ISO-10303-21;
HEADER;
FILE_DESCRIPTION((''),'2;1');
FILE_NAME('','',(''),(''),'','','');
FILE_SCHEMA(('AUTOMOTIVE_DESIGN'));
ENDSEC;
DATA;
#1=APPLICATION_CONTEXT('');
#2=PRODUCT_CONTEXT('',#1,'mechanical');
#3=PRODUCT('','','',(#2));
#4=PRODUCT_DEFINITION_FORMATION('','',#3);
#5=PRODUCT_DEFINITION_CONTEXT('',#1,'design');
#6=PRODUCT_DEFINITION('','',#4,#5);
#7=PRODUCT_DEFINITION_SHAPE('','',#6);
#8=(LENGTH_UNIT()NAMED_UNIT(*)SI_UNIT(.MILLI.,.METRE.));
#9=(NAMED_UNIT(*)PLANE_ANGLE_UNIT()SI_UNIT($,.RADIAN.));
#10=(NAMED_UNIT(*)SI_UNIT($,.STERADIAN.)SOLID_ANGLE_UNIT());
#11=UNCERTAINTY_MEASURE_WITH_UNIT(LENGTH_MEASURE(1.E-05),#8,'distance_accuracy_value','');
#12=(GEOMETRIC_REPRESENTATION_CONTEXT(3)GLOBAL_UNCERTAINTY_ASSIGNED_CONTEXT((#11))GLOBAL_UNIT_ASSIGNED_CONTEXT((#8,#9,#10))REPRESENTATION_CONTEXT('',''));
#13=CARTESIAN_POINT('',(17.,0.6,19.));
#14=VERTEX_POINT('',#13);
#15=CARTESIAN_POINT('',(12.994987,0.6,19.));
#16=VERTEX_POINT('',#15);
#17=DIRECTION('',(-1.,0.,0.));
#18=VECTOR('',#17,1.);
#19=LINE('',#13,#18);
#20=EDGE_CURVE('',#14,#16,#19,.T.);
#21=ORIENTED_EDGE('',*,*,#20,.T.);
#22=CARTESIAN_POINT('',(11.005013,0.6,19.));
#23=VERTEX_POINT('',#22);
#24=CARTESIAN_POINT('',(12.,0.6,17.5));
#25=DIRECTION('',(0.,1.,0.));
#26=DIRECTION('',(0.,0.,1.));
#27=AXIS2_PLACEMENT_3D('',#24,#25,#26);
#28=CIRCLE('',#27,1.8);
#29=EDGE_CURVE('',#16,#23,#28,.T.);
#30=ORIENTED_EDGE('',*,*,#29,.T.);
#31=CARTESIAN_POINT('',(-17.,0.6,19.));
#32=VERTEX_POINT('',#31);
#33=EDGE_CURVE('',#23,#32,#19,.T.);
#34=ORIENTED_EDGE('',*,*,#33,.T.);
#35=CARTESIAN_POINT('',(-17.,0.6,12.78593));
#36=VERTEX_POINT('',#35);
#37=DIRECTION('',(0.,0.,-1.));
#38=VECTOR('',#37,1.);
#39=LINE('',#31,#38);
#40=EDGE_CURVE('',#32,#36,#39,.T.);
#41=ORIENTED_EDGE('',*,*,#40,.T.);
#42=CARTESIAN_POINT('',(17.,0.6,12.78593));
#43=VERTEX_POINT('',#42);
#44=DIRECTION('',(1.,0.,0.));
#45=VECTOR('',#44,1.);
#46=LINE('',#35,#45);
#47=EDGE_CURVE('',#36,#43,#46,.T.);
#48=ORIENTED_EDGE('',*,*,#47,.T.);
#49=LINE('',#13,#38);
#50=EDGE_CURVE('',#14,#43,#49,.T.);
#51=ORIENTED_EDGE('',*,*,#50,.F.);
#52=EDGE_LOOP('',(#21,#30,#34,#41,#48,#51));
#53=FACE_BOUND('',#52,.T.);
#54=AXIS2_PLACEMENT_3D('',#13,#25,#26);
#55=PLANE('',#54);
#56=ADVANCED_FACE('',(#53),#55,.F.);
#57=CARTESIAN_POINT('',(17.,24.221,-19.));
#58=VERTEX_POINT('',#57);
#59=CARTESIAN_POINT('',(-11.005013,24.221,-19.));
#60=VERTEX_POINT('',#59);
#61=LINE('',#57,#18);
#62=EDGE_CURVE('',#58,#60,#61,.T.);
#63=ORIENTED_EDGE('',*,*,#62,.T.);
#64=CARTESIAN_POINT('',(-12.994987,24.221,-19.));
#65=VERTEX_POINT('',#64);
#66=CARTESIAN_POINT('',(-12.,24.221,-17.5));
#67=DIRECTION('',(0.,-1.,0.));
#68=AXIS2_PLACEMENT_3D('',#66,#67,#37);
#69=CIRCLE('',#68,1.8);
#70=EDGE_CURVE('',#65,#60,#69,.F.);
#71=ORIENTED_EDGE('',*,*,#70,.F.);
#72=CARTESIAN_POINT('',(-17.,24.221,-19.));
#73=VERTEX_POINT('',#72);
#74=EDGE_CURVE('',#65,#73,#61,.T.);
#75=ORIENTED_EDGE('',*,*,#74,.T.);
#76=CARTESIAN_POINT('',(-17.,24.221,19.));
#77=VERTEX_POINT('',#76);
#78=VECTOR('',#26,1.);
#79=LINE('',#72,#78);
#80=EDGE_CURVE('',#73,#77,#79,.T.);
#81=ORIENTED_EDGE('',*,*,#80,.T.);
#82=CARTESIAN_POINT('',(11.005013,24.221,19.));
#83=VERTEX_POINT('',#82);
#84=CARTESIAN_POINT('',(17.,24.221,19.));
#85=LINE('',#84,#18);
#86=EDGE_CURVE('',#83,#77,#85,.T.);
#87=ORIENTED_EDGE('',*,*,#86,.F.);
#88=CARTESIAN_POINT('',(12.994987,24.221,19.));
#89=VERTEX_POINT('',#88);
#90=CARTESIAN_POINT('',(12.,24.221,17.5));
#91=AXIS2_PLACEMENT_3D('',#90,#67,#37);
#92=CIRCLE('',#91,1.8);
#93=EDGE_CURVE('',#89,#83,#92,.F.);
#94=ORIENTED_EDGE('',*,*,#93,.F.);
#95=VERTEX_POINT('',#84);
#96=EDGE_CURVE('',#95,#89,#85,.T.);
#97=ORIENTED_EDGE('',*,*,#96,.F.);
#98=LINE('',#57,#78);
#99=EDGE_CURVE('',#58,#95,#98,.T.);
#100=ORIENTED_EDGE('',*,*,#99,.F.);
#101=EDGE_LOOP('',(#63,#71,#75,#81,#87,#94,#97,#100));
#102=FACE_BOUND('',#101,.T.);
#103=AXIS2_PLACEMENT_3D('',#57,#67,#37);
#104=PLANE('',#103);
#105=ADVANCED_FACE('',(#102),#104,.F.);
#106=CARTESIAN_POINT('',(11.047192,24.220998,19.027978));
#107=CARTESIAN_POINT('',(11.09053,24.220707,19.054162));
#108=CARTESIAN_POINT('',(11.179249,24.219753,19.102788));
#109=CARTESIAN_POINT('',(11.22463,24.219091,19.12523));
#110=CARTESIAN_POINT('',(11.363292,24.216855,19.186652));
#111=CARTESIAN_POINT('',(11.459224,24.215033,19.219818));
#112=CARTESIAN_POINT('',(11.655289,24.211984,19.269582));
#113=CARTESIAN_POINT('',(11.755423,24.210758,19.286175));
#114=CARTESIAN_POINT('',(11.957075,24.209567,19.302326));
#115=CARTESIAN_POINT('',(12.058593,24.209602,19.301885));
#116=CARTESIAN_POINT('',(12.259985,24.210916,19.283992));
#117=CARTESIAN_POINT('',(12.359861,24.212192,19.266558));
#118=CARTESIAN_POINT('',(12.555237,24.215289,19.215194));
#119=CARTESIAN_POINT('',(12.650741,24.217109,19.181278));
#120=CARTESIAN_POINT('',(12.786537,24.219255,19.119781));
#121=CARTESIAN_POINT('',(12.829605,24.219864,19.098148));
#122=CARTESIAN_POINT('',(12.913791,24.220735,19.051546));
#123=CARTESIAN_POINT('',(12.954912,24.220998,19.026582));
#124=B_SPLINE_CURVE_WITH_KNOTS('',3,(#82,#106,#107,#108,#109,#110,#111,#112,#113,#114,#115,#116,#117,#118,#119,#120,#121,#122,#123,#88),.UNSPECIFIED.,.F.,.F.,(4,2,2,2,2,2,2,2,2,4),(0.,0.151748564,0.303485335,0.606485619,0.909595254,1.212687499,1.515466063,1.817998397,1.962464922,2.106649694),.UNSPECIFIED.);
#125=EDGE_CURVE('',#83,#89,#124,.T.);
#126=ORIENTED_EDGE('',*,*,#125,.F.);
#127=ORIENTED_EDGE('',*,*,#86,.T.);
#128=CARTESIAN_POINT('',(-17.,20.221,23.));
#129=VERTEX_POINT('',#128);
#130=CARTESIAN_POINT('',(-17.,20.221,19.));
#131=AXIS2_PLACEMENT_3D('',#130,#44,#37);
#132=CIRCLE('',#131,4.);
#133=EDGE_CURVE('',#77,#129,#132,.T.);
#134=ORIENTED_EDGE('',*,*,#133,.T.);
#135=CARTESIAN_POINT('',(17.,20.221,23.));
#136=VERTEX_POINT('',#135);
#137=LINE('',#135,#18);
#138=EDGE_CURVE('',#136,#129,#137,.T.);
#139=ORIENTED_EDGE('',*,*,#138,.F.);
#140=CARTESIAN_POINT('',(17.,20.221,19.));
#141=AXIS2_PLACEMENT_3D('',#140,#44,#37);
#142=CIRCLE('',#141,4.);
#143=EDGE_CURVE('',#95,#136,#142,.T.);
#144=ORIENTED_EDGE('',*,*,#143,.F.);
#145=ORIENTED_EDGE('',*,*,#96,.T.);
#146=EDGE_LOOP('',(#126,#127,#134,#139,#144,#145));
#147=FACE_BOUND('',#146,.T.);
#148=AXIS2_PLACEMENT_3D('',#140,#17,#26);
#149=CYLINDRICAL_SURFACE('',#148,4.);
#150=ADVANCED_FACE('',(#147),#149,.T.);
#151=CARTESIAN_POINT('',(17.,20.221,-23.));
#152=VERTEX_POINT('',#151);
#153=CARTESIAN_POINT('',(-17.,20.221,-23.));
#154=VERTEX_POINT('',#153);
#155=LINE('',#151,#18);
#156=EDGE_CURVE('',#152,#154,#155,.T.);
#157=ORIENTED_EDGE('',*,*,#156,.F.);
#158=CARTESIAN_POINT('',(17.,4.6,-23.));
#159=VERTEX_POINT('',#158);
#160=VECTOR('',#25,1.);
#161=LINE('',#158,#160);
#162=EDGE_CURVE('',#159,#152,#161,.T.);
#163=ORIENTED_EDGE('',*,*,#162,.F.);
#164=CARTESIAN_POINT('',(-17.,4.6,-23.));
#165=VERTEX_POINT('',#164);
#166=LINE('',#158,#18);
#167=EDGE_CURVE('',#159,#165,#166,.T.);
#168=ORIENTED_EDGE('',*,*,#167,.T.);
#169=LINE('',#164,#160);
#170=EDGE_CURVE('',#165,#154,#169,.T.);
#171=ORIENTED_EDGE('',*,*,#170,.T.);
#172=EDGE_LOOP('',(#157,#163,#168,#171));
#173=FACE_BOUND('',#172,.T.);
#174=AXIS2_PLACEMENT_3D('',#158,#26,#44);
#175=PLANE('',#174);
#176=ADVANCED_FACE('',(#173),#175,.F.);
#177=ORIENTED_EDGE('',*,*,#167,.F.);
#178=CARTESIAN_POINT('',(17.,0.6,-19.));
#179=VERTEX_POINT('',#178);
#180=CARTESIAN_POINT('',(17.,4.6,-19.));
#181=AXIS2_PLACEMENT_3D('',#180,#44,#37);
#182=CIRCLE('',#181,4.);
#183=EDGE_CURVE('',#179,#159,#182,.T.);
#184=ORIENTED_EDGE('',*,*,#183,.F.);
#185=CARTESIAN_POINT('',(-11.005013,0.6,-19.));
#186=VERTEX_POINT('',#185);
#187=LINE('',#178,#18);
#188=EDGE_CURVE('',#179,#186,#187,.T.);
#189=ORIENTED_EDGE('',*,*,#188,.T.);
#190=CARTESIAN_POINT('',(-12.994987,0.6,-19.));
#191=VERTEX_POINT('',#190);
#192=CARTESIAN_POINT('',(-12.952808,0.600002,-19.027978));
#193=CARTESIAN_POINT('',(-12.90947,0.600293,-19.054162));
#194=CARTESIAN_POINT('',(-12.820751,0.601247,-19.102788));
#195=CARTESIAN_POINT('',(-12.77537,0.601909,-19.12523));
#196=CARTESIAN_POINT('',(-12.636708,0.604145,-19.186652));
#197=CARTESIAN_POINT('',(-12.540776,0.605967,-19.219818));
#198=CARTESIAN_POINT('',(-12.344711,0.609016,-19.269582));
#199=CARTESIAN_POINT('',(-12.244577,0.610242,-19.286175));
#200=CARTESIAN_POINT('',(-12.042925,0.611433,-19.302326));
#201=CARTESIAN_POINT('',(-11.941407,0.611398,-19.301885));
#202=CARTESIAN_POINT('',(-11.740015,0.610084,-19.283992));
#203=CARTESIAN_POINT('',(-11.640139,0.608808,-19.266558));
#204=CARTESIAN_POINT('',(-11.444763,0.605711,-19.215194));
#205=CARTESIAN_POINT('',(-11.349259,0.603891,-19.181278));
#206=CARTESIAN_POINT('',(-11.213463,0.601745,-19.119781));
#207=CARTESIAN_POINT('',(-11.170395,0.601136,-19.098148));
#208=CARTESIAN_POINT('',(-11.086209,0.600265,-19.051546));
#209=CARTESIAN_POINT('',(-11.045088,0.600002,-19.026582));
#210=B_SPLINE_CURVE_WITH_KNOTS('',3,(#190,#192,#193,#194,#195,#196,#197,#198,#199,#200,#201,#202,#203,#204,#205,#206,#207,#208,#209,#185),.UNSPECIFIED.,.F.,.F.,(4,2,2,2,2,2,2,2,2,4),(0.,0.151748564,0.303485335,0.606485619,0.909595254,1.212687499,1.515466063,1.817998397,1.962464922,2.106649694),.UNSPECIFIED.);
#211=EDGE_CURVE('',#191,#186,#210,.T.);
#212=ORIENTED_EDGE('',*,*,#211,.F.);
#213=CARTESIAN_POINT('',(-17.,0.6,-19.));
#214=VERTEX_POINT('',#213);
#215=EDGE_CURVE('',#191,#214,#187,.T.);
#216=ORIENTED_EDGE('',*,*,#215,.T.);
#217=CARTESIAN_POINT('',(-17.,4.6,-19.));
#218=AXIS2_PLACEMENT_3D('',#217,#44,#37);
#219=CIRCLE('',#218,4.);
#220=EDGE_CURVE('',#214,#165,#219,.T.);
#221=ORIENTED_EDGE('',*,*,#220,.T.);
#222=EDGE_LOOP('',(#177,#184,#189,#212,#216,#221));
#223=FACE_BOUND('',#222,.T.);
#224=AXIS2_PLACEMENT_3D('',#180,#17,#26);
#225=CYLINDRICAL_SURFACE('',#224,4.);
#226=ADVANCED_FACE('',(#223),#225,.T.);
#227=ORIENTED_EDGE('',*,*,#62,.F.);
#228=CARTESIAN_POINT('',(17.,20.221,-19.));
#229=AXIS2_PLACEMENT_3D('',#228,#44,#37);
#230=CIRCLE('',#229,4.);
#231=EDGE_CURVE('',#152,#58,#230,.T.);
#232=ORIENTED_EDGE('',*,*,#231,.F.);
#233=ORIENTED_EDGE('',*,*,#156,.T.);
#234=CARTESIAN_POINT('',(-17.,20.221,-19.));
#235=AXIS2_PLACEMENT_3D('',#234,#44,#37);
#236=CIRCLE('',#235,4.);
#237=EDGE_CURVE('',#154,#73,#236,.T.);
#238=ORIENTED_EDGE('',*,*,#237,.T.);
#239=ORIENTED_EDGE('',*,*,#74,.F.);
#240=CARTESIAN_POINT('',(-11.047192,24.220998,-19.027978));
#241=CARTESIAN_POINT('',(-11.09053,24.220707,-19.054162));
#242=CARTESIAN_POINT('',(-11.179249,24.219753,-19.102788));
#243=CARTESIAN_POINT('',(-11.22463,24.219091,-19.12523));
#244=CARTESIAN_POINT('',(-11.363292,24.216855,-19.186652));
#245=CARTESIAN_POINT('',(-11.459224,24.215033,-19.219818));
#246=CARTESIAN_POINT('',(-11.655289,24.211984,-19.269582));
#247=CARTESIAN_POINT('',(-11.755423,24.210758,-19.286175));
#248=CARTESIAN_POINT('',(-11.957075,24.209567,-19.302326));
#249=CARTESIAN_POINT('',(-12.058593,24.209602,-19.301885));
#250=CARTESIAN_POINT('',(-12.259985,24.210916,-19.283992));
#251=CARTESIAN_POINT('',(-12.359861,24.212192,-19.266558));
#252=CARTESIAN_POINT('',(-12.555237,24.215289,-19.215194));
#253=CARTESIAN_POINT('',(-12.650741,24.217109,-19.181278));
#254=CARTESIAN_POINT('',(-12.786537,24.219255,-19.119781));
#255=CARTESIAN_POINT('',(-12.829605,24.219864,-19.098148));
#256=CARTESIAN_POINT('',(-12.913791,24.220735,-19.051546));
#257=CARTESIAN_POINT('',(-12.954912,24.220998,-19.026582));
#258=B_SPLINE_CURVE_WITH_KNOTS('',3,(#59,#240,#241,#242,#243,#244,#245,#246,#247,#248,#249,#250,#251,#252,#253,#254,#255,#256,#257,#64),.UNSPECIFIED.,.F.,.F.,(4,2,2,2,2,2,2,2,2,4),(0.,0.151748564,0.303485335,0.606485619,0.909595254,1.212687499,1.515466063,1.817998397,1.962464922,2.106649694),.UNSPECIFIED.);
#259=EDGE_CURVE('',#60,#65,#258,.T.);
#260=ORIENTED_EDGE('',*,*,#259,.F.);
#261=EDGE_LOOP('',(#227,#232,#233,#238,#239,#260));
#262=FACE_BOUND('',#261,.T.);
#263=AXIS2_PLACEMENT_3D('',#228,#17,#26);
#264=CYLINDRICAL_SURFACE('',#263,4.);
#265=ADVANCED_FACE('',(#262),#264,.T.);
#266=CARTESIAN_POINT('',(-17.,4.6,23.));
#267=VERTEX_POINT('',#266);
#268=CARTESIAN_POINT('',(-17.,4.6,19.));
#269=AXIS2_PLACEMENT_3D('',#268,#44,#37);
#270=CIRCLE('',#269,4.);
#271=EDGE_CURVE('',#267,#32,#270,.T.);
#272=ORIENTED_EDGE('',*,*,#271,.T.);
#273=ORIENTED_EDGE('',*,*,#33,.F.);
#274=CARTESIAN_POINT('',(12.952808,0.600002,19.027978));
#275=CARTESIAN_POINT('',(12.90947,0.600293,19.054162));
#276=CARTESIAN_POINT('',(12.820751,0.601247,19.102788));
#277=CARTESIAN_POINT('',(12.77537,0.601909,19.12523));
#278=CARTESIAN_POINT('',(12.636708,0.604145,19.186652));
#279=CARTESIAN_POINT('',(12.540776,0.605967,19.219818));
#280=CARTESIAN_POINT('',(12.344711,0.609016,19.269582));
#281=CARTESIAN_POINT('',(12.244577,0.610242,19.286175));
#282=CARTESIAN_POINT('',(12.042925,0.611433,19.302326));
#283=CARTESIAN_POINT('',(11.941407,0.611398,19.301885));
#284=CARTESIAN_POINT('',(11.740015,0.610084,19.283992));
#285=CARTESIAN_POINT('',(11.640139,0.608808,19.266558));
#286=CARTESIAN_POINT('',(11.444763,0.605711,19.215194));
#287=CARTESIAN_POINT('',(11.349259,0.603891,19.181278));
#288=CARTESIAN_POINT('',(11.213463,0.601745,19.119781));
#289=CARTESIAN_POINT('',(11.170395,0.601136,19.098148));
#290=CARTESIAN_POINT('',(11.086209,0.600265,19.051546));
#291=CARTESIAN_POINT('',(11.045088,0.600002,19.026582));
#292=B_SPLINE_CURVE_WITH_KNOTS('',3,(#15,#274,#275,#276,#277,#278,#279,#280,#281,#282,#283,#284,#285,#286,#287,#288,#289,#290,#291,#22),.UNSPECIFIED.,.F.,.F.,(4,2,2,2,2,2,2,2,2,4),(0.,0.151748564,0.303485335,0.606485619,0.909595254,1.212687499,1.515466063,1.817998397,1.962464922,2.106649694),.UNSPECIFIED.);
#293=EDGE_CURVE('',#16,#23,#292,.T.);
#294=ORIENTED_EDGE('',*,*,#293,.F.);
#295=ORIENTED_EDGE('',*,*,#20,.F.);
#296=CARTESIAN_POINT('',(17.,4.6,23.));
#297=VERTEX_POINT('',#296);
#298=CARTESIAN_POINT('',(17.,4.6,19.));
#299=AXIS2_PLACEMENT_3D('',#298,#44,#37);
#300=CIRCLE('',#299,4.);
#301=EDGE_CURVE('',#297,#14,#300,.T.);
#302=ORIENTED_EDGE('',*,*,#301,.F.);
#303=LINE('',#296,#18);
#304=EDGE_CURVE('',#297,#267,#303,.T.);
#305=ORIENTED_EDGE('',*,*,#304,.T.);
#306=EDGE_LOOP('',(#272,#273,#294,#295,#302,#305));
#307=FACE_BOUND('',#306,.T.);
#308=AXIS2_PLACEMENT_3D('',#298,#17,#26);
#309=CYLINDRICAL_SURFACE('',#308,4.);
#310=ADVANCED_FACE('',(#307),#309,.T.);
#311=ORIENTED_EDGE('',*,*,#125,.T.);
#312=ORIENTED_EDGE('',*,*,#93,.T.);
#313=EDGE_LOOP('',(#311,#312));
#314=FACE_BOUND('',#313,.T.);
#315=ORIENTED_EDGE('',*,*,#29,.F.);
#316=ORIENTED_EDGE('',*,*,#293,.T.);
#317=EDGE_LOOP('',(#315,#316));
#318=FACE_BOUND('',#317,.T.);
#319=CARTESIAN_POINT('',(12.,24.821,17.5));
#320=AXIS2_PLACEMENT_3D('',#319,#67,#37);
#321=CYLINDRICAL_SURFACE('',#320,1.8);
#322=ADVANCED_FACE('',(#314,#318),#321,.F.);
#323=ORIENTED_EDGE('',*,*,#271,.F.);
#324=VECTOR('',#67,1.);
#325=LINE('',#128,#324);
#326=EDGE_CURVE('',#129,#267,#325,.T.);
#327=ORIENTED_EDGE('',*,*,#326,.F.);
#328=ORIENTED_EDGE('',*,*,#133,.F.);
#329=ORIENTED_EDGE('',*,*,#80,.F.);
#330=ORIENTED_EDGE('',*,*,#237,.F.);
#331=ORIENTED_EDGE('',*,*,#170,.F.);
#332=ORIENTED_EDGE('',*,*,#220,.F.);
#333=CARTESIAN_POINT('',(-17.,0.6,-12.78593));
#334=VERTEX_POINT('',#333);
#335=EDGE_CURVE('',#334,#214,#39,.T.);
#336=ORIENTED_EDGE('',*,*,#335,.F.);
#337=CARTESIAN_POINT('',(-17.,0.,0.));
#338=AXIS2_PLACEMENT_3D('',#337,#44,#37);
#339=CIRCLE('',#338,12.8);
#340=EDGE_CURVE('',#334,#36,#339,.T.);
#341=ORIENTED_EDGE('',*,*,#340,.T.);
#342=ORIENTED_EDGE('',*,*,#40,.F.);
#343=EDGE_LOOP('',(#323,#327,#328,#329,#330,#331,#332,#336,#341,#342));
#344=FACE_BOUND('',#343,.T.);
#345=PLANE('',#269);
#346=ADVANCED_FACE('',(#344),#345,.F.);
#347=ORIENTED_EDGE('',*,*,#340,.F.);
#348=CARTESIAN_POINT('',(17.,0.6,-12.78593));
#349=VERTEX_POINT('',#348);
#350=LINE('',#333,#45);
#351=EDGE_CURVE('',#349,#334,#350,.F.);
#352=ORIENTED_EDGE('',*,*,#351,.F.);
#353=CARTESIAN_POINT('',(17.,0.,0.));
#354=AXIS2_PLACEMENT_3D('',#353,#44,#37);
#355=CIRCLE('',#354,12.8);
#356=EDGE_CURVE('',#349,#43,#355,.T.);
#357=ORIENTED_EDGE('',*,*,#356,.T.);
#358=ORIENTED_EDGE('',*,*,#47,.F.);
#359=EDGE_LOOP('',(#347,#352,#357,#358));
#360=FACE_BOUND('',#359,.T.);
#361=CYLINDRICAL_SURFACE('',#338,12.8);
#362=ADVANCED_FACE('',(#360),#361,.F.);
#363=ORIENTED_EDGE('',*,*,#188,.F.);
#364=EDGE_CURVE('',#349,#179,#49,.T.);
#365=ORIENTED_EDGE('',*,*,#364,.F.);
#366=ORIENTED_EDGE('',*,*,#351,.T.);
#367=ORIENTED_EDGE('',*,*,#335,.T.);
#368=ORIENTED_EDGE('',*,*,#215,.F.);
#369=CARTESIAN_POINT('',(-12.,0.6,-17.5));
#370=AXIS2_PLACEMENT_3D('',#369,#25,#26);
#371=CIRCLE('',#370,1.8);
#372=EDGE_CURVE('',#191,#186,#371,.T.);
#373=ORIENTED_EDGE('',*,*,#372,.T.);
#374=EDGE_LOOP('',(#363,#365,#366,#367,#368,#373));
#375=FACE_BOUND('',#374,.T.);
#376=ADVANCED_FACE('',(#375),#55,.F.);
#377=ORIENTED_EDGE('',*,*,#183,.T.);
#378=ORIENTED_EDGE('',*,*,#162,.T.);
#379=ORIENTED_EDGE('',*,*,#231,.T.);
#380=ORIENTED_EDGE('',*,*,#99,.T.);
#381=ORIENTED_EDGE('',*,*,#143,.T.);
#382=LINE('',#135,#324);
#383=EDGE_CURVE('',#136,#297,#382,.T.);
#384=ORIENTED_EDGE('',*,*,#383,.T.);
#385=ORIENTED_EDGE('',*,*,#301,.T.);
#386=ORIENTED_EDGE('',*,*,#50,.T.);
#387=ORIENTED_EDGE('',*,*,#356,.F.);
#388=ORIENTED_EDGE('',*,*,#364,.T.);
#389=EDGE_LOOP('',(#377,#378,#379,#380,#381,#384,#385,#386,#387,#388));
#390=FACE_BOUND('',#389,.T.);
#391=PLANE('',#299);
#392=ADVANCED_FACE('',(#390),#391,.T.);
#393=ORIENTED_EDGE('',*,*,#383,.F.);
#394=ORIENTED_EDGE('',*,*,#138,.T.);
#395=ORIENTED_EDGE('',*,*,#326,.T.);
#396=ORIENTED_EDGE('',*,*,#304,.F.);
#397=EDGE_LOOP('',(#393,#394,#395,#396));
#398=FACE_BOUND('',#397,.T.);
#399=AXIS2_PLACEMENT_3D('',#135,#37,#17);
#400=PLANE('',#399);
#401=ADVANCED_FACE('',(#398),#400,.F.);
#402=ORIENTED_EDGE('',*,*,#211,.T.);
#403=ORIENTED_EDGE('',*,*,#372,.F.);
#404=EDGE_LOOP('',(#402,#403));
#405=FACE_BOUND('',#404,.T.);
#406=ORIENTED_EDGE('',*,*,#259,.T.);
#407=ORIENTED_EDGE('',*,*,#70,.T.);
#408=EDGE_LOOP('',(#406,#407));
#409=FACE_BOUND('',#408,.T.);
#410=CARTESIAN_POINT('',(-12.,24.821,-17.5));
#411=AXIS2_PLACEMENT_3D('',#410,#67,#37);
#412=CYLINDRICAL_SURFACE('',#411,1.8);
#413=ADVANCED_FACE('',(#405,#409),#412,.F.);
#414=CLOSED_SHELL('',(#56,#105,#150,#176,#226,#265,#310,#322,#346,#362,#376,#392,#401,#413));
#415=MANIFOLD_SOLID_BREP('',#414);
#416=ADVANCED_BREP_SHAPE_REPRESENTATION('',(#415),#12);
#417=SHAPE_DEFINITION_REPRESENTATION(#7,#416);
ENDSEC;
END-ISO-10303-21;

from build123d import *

# Parameters (mm, degrees)
BOSS_EXTRUDE1_DEPTH     = 17
CUT_EXTRUDE1_DEPTH      = 38.47875186
CUT_EXTRUDE1_DEPTH_BACK = 38.47875186
SKETCH2_R               = 12.8
SKETCH3_R               = 1.8
CUT_EXTRUDE2_DEPTH      = 24.221


with BuildPart() as part:
    # Sketch1 → Boss-Extrude1 (new, symmetric)
    with BuildSketch(Plane(origin=(0, 0, 0), x_dir=(0, 0, -1), z_dir=(1, 0, 0))):
        with BuildLine():
            Line((-19, 0.6), (19, 0.6))
            ThreePointArc((19, 0.6), (21.828427125, 1.771572875), (23, 4.6))
            Line((23, 4.6), (23, 20.221))
            ThreePointArc((23, 20.221), (21.828427125, 23.049427125), (19, 24.221))
            Line((19, 24.221), (-19, 24.221))
            ThreePointArc((-19, 24.221), (-21.828427125, 23.049427125), (-23, 20.221))
            Line((-23, 20.221), (-23, 4.6))
            ThreePointArc((-23, 4.6), (-21.828427125, 1.771572875), (-19, 0.6))
        make_face()
    extrude(amount=BOSS_EXTRUDE1_DEPTH, both=True)

    # Sketch2 → Cut-Extrude1 (cut, two sides: drawn at the far end of the back side and taken through both)
    with BuildSketch(Plane(origin=(0, 0, 0), x_dir=(0, 0, -1), z_dir=(1, 0, 0)).offset(-CUT_EXTRUDE1_DEPTH_BACK)):
        Circle(SKETCH2_R)
    extrude(amount=CUT_EXTRUDE1_DEPTH + CUT_EXTRUDE1_DEPTH_BACK, mode=Mode.SUBTRACT)

    # Sketch3 → Cut-Extrude2 (cut)
    with BuildSketch(Plane(origin=(0, 0.6, 0), x_dir=(1, 0, 0), z_dir=(0, 1, 0))):
        with Locations(Location((12, -17.5, 0), (0, 0, 236.442690238))):
            Circle(SKETCH3_R)
        with Locations(Location((-12, 17.5, 0), (0, 0, 123.557309762))):
            Circle(SKETCH3_R)
    extrude(amount=CUT_EXTRUDE2_DEPTH, mode=Mode.SUBTRACT)


solid = part.part
